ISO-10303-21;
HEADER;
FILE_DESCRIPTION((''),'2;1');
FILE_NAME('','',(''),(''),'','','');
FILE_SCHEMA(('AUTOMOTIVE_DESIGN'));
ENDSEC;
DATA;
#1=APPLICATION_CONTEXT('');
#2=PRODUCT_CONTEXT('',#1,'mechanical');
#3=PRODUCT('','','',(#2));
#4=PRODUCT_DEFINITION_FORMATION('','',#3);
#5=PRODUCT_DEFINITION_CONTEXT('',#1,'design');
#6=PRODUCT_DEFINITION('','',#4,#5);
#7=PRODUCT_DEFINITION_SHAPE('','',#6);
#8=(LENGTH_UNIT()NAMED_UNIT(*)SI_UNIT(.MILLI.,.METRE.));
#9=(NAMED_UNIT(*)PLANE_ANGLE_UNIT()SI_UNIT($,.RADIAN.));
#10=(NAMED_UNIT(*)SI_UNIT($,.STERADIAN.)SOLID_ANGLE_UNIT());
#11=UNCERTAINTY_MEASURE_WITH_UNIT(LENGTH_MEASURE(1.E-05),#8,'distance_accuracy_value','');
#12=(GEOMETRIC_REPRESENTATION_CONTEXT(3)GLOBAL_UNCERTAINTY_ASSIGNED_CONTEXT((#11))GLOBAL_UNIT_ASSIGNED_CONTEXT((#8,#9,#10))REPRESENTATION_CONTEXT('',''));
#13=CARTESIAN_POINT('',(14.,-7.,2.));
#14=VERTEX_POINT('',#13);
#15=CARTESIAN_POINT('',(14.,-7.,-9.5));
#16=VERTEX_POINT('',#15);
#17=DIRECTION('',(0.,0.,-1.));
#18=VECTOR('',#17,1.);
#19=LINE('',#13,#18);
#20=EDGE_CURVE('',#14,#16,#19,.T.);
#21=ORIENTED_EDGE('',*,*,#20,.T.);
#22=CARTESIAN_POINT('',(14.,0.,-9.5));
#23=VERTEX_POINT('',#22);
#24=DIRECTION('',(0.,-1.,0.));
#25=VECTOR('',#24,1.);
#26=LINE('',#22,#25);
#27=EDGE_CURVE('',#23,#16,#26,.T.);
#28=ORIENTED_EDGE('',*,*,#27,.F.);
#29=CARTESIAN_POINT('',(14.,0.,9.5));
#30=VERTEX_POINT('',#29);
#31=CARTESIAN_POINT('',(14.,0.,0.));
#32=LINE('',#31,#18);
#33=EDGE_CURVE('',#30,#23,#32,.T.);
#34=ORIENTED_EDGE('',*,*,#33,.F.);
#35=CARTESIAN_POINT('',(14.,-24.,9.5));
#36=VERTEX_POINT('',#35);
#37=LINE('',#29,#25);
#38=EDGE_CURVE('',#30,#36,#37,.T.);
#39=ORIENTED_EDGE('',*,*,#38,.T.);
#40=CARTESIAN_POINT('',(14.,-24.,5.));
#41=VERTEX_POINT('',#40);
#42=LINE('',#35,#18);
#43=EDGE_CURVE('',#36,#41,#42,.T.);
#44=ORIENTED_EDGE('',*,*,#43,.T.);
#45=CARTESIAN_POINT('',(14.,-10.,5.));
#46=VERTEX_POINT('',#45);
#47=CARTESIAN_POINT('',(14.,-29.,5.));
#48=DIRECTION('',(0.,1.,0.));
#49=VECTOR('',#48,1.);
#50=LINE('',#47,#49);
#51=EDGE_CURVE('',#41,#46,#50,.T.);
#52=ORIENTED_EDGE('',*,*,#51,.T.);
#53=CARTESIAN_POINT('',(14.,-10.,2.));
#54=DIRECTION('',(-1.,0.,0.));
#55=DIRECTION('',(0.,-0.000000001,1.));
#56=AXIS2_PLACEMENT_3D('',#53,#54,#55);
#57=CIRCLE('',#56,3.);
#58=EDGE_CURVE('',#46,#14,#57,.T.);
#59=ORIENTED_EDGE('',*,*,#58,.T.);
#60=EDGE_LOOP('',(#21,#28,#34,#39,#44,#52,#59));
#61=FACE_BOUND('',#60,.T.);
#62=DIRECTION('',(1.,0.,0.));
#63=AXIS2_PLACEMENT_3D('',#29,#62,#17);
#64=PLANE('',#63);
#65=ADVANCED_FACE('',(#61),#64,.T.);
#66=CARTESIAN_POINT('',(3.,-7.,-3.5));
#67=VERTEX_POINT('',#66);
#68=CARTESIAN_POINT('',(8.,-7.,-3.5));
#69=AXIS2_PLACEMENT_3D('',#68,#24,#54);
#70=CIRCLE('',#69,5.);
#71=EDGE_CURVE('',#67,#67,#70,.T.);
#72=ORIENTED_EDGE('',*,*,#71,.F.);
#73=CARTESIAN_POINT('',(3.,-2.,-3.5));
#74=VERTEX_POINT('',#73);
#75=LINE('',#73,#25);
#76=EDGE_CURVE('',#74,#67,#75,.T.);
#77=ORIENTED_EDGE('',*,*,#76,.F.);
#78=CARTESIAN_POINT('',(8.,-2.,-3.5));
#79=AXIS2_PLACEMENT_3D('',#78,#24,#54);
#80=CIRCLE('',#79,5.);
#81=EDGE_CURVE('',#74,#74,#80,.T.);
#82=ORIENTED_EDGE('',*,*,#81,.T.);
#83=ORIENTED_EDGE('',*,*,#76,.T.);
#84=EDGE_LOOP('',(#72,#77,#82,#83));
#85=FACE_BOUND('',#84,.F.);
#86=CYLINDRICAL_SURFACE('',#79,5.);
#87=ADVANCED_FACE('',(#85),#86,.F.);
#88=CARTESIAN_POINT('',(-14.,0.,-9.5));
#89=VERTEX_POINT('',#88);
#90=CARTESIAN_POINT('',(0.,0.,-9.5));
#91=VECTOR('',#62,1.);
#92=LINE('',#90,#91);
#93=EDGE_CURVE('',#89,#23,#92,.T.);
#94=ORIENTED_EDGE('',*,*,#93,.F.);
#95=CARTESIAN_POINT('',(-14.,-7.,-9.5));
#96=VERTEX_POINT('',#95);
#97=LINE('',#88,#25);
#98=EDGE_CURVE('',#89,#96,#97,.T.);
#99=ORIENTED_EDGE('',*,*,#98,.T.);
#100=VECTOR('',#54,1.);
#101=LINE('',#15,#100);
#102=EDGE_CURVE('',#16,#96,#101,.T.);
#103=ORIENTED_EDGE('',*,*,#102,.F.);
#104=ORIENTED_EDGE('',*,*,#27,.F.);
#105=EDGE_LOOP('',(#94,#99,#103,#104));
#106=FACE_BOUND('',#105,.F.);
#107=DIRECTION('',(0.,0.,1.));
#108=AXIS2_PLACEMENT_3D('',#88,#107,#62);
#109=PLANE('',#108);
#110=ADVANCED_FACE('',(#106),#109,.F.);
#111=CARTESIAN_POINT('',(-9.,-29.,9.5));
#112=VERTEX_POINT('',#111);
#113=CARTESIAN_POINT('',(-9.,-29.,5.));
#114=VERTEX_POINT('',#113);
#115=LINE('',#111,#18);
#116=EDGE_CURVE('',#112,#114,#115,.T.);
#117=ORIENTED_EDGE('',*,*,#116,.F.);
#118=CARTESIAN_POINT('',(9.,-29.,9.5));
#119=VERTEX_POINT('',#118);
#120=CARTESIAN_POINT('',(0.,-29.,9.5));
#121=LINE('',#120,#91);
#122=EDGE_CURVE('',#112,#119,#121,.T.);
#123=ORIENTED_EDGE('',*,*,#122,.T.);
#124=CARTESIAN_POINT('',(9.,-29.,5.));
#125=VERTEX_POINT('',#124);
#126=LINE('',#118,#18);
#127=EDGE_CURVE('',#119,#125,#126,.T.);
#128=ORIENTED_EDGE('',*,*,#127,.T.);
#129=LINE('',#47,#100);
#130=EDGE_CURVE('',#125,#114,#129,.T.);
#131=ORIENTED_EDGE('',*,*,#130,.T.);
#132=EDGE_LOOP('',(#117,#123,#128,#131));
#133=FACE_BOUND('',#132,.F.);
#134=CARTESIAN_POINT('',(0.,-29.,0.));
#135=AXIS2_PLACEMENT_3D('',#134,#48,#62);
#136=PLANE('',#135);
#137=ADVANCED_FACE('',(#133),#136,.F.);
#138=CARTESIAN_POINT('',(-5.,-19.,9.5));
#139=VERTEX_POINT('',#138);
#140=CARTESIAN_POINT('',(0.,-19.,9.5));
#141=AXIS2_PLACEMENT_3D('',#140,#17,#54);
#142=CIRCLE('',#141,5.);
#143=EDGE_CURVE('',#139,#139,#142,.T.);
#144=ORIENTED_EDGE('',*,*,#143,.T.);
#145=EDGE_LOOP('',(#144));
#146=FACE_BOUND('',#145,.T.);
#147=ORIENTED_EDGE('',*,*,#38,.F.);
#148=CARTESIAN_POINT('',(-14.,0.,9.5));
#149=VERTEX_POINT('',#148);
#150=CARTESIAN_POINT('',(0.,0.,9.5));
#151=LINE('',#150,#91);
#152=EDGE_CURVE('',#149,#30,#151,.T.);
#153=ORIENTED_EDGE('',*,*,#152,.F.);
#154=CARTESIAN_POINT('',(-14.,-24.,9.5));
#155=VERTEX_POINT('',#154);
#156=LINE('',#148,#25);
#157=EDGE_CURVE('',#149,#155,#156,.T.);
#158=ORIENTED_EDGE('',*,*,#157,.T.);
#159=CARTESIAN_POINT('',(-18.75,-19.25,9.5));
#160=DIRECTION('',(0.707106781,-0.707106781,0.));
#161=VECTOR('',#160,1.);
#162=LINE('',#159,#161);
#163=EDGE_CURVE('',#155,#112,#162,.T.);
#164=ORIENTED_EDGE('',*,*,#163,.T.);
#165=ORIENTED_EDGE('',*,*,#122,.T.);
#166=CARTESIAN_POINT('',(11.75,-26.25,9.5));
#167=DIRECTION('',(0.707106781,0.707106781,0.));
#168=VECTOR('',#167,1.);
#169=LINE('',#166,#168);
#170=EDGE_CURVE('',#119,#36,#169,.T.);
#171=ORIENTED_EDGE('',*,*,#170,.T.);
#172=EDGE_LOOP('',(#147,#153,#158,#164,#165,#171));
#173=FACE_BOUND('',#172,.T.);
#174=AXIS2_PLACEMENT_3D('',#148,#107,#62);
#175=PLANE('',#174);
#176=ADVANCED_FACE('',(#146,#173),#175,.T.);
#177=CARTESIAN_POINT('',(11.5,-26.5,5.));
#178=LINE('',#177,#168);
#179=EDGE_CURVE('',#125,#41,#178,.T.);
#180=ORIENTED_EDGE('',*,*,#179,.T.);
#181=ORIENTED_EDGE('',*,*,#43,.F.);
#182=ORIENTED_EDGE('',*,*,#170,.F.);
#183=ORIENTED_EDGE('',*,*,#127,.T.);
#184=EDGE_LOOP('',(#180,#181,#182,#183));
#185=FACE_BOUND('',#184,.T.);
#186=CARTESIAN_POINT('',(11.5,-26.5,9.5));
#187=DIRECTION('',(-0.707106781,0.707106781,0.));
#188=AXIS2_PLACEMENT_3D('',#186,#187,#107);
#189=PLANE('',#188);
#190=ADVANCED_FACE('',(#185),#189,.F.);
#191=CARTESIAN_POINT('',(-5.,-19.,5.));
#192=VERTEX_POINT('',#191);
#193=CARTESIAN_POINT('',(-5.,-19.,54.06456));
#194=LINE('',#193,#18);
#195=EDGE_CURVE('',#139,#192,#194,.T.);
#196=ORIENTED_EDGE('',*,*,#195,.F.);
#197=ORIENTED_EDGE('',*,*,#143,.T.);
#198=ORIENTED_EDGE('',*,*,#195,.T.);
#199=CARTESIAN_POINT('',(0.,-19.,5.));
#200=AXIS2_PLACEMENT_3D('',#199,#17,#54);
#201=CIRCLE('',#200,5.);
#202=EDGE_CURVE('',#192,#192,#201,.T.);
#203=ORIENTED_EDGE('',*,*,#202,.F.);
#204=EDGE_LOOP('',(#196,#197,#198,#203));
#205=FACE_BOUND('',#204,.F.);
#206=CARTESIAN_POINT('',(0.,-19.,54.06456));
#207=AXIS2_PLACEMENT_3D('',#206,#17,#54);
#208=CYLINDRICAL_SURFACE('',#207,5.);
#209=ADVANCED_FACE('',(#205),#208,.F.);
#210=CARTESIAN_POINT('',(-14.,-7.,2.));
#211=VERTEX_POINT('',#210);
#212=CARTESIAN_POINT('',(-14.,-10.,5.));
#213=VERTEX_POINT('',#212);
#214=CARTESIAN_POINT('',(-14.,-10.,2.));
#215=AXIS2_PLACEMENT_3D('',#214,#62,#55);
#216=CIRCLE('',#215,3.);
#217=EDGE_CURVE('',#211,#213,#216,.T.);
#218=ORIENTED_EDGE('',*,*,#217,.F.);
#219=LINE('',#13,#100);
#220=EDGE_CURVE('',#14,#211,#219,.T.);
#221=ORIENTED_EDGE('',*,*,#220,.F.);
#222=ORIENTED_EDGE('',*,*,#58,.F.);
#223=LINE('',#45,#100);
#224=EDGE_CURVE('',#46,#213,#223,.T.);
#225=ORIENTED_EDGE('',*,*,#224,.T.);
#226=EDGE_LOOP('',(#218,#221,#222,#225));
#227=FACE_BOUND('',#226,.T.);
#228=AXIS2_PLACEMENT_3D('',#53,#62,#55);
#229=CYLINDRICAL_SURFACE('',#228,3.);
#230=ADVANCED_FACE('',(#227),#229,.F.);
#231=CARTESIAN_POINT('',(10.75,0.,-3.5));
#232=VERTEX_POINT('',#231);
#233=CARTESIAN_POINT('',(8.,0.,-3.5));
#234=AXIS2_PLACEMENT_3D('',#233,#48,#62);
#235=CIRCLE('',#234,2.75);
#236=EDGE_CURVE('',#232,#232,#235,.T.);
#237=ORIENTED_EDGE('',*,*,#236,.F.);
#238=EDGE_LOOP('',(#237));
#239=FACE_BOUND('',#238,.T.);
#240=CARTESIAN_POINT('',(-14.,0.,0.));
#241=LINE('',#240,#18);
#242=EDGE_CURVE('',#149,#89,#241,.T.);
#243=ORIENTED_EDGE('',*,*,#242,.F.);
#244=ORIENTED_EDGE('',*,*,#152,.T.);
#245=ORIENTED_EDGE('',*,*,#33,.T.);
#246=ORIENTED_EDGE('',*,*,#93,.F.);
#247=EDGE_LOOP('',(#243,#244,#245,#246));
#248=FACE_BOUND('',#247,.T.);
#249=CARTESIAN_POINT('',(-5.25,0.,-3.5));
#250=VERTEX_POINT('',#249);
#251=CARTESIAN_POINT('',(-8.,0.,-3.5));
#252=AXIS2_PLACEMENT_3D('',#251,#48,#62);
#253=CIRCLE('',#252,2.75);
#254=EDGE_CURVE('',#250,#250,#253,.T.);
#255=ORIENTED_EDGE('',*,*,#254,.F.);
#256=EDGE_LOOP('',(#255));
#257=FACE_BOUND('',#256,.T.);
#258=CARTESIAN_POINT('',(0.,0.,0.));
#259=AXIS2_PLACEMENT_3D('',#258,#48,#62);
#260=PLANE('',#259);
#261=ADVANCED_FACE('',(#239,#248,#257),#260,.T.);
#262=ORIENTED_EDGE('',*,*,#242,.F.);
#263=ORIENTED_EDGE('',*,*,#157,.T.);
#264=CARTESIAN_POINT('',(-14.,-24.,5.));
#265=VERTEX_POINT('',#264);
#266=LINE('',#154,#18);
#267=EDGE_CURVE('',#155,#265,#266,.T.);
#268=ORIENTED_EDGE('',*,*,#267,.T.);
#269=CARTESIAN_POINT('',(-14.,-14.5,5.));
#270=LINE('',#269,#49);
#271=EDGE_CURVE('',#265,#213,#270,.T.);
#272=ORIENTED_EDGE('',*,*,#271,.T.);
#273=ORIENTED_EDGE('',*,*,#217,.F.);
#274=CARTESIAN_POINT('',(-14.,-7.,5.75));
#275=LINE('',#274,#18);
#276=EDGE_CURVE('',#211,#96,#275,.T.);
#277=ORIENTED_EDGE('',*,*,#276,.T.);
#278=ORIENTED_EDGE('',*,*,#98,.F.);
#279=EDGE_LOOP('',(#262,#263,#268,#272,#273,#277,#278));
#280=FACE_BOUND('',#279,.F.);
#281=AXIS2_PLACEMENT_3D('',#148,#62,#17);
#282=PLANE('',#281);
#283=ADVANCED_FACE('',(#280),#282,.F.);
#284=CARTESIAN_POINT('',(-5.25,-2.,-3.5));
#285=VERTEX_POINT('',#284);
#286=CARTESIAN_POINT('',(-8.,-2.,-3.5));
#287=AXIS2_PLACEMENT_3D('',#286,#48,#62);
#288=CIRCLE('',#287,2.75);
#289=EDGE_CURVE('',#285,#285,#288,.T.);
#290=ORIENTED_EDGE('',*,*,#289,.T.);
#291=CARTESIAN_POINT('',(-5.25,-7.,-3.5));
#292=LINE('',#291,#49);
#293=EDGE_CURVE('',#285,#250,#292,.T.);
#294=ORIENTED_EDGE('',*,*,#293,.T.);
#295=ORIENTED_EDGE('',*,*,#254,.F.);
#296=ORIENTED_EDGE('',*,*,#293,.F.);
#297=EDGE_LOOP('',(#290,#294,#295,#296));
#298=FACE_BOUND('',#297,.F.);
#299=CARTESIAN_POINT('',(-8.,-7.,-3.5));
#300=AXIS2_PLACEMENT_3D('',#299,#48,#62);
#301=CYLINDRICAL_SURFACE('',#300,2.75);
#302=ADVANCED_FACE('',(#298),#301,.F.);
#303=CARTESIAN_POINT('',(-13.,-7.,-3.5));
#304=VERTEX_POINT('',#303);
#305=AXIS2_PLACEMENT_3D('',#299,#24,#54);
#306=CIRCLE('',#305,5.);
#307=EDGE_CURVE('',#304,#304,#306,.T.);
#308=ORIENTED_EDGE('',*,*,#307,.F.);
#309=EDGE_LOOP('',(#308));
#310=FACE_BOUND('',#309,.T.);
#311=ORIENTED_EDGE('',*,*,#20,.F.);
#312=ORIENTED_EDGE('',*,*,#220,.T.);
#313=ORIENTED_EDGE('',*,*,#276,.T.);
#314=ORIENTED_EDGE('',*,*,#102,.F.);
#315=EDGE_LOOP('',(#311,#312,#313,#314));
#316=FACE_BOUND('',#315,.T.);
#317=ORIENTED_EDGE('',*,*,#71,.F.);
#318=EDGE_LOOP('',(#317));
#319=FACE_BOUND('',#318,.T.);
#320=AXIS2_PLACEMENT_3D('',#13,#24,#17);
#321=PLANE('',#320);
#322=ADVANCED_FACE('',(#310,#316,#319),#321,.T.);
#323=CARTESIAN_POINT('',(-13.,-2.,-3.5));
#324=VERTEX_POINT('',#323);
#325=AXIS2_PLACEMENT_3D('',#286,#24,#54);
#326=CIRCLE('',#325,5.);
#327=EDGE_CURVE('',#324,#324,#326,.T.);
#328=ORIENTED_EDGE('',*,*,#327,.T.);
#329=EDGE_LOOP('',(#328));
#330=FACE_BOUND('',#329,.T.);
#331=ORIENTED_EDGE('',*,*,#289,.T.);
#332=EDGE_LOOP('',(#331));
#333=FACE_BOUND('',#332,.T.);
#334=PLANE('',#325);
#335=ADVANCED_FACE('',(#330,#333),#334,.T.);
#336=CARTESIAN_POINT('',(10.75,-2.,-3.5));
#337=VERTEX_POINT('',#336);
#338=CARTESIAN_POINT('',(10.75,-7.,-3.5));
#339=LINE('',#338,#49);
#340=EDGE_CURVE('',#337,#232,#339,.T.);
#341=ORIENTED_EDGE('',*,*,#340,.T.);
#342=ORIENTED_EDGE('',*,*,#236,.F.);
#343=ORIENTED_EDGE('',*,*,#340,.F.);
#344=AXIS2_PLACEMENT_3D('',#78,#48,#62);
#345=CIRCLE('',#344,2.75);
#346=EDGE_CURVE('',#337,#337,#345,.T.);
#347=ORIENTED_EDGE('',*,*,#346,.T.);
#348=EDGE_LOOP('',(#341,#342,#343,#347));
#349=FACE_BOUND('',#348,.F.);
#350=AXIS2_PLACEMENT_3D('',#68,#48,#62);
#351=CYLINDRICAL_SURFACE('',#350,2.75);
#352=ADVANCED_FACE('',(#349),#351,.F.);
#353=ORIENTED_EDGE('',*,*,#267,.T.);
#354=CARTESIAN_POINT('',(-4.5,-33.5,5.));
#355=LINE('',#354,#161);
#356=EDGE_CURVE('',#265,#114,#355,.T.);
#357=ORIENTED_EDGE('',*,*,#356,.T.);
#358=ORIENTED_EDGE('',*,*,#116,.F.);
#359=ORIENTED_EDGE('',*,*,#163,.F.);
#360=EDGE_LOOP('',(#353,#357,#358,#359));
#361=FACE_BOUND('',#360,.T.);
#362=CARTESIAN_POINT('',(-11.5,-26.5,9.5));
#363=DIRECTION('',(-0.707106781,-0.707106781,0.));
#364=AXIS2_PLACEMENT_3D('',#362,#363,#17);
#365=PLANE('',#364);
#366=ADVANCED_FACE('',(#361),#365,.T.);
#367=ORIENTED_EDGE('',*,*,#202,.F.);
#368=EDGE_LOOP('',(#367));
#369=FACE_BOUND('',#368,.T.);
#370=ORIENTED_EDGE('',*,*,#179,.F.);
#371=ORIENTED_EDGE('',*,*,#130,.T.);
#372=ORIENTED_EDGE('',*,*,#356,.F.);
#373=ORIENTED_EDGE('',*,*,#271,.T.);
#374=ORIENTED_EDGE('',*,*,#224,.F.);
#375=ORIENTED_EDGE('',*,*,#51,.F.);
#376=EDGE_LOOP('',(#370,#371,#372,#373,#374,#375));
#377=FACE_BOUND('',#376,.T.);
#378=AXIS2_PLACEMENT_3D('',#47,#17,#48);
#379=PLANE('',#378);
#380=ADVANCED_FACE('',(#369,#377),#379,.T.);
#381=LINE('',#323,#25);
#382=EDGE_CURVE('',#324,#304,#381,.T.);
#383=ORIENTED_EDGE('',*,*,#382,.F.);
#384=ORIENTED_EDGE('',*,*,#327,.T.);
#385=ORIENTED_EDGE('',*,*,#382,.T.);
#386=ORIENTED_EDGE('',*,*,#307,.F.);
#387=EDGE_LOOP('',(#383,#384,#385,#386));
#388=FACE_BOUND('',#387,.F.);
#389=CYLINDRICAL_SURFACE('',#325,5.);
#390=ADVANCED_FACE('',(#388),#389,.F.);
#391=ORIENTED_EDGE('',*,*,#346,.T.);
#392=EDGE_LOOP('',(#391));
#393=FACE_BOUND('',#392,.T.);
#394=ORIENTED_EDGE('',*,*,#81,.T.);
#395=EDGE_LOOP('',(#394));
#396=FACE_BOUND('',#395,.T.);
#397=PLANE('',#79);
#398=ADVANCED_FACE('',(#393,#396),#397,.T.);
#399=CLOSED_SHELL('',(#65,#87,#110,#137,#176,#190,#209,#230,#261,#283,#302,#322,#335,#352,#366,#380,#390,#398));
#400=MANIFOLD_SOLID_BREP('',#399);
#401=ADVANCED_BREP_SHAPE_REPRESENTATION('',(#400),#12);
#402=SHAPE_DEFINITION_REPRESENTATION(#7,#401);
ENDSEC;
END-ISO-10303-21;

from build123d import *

# Parameters (mm, degrees)
SKETCH_1_W                  = 28
SKETCH_1_H                  = 19
EXTRUDE_1_DEPTH             = 29
CUT_EXTRUDE_1_DEPTH         = 42.41557678
HOLE_WIZARD_1_D             = 10
HOLE_WIZARD_1_2_D           = 5.5
HOLE_WIZARD_1_2_CBORE_D     = 10
HOLE_WIZARD_1_2_CBORE_DEPTH = 5
CHAMFER_1_SIZE              = 5


with BuildPart() as part:
    # 草图1 → 凸台-拉伸1 (new body)
    with BuildSketch(Plane(origin=(0, 0, 0), x_dir=(1, 0, 0), z_dir=(0, 1, 0))):
        Rectangle(SKETCH_1_W, SKETCH_1_H)
    extrude(amount=-EXTRUDE_1_DEPTH)

    # 草图2 → 切除-拉伸1 (cut, through all)
    with BuildSketch(Plane(origin=(14, 0, 0), x_dir=(0, 0, -1), z_dir=(1, 0, 0))):
        with BuildLine():
            Line((9.5, -29), (-5, -29))
            Line((-5, -29), (-5, -10))
            ThreePointArc((-5, -10), (-4.121320344, -7.878679656), (-2, -7))
            Line((-2, -7), (9.5, -7))
            Line((9.5, -7), (9.5, -29))
        make_face()
    extrude(amount=-CUT_EXTRUDE_1_DEPTH, mode=Mode.SUBTRACT)

    # Hole Wizard 1 (through all)
    with Locations(Plane.XY.offset(9.5)):
        with Locations((0, -19)):
            Hole(HOLE_WIZARD_1_D / 2)

    # Hole Wizard 1 2 (through all)
    with Locations(Plane(origin=(0, -7, 0), x_dir=(-1, 0, 0), z_dir=(0, -1, 0))):
        with Locations((8, 3.5), (-8, 3.5)):
            CounterBoreHole(HOLE_WIZARD_1_2_D / 2, HOLE_WIZARD_1_2_CBORE_D / 2, HOLE_WIZARD_1_2_CBORE_DEPTH)

    # 倒角1
    chamfer_1_edges = [part.edges().sort_by_distance(p)[0] for p in [
        (-14, -29, 7.25),
        (14, -29, 7.25),
    ]]
    chamfer(chamfer_1_edges, length=CHAMFER_1_SIZE)


solid = part.part
